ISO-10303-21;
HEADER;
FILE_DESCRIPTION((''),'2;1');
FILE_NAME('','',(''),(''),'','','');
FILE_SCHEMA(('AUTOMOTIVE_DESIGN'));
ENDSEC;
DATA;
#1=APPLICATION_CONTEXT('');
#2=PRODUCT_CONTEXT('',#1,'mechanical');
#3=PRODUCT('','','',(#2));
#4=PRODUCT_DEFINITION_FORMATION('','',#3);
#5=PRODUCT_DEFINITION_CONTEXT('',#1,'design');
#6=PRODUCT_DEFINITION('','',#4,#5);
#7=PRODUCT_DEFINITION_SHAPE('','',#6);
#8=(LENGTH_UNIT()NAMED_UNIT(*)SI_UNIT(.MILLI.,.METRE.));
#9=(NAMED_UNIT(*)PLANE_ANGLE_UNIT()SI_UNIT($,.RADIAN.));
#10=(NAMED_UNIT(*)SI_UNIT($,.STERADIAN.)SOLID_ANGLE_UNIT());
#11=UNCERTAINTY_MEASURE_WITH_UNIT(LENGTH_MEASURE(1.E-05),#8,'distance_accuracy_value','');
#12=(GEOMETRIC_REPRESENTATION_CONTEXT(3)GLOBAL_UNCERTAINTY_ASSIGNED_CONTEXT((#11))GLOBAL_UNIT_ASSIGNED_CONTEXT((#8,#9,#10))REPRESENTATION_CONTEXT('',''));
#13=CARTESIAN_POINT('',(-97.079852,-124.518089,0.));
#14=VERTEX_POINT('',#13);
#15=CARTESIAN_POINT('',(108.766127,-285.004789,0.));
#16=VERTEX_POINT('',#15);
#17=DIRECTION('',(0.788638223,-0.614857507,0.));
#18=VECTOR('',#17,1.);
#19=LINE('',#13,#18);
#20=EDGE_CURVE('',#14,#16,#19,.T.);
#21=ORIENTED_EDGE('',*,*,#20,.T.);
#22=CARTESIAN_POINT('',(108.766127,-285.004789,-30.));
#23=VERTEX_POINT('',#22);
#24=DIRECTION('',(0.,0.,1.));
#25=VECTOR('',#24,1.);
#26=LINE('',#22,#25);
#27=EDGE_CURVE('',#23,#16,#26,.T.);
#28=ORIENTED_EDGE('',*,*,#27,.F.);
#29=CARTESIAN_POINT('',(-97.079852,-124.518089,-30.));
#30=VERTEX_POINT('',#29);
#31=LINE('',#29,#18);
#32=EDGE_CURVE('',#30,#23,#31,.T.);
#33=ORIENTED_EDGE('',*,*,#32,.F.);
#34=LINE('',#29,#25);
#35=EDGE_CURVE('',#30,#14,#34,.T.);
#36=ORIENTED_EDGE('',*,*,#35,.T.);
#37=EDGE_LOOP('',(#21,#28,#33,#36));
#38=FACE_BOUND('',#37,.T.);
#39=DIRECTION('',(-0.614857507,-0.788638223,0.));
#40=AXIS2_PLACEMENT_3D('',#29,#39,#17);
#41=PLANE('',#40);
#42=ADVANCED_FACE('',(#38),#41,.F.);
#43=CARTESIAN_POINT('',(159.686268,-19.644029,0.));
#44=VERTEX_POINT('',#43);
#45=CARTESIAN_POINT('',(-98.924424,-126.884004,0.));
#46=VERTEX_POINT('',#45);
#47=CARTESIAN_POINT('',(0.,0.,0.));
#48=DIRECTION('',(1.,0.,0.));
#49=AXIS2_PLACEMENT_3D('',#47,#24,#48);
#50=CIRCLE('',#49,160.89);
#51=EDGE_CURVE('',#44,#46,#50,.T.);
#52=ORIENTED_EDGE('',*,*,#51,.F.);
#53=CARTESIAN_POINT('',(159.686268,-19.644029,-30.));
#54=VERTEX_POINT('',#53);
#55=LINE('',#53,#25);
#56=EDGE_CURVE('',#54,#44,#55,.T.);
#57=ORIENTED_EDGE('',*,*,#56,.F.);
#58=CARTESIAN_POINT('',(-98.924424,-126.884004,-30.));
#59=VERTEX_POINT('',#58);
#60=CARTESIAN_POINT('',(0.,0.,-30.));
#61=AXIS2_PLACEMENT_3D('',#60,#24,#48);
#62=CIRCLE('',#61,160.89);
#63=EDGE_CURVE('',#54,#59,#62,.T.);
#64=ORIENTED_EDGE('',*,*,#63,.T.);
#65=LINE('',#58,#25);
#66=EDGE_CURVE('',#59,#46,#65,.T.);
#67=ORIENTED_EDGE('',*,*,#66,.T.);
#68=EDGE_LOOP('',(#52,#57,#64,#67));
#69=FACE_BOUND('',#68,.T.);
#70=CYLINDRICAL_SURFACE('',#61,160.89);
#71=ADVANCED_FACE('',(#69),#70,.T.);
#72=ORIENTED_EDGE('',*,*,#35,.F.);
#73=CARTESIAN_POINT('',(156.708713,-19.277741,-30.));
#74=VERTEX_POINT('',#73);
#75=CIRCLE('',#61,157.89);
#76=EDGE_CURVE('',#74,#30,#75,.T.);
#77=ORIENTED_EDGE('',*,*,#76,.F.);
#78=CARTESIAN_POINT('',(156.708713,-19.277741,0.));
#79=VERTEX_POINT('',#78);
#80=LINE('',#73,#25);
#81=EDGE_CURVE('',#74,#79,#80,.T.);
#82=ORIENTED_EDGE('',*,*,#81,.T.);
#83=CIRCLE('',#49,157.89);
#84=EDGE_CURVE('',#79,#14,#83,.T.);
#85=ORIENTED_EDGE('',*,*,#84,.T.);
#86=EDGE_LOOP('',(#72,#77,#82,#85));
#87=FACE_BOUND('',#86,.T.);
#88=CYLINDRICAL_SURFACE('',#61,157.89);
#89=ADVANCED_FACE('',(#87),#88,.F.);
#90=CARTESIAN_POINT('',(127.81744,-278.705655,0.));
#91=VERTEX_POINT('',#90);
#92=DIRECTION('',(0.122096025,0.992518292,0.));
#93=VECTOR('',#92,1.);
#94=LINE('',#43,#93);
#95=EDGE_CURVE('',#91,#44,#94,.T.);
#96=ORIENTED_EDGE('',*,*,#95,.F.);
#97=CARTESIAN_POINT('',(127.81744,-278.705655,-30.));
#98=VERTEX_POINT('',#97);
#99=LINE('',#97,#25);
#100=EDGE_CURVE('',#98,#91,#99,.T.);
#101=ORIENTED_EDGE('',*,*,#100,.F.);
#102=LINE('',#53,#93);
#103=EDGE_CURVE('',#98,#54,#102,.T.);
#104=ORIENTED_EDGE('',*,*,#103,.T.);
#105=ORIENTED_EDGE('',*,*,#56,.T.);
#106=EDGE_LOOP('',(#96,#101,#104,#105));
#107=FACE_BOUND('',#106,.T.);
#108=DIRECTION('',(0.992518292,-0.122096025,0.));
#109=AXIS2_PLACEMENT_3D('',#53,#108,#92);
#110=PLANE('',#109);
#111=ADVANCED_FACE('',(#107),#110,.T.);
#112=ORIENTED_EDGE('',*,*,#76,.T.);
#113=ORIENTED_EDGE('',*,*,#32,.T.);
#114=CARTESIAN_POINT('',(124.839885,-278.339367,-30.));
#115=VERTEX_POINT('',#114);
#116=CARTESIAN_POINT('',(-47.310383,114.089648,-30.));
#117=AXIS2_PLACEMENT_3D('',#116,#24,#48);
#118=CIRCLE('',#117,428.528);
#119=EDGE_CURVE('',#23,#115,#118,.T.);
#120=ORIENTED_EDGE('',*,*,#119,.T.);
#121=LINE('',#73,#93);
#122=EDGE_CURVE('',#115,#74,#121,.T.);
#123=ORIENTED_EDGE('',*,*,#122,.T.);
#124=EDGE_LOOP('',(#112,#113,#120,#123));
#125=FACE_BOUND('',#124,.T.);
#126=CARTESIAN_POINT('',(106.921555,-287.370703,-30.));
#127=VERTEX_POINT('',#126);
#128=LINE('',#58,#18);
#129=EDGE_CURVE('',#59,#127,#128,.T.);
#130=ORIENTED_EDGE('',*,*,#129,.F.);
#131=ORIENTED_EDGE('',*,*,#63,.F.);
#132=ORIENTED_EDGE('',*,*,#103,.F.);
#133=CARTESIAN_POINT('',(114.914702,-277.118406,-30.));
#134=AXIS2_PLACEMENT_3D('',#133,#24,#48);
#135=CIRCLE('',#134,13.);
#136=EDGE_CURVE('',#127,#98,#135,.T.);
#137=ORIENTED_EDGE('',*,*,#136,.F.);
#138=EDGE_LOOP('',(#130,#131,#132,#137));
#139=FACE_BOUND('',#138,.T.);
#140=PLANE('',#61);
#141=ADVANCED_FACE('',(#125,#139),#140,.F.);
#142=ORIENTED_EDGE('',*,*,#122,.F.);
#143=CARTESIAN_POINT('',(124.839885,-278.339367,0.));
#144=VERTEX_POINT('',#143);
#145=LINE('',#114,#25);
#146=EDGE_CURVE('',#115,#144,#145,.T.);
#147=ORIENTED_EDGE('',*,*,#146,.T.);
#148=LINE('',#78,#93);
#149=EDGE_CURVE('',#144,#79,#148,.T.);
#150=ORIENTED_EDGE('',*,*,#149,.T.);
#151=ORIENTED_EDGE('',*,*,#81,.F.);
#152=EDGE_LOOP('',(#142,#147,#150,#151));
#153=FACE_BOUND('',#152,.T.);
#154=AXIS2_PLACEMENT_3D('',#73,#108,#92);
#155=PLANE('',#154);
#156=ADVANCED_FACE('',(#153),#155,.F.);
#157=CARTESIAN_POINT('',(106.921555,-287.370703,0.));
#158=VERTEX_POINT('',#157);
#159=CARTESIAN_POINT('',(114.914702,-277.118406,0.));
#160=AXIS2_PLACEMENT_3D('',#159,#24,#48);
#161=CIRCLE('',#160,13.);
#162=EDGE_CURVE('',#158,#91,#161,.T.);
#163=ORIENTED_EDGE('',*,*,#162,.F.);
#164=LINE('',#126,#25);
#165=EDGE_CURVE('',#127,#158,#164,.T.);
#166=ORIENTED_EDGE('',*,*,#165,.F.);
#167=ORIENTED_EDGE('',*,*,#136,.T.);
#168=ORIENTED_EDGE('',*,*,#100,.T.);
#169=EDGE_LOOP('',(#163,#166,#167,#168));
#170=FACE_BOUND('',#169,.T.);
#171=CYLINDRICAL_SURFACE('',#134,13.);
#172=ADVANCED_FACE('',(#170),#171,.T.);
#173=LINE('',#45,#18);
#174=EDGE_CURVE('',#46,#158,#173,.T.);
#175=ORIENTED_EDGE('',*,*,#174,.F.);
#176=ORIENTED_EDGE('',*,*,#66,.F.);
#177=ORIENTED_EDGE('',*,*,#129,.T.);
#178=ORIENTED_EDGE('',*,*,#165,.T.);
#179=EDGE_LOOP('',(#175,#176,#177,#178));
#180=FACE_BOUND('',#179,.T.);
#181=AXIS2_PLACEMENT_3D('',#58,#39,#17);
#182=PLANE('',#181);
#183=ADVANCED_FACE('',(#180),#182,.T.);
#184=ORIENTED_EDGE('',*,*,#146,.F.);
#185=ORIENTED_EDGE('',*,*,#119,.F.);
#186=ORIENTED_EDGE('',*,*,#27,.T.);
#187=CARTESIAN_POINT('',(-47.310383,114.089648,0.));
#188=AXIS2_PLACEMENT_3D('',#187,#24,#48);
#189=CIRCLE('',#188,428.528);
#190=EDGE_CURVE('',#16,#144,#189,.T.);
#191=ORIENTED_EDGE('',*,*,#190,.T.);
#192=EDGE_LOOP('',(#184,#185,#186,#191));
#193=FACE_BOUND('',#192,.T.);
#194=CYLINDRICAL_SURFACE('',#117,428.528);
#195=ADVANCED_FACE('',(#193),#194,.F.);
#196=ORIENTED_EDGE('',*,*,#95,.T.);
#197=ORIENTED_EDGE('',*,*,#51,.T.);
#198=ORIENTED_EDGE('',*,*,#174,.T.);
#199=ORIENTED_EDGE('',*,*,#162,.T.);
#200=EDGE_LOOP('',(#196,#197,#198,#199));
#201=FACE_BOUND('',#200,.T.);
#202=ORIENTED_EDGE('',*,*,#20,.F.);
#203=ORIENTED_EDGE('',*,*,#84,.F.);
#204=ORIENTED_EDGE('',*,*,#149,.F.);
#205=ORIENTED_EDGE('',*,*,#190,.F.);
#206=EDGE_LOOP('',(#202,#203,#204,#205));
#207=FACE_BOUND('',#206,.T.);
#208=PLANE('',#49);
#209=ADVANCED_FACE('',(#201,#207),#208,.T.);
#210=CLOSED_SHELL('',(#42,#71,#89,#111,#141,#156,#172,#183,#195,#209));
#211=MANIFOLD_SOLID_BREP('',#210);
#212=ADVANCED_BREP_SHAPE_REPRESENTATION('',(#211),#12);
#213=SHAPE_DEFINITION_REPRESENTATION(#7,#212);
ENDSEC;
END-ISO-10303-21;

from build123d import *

# Parameters (mm, degrees)
BOSS_EXTRUDE1_DEPTH = 30


with BuildPart() as part:
    # Sketch1 → Boss-Extrude1 (new body)
    with BuildSketch(Plane.XY):
        with BuildLine():
            Line((159.686268065, -19.644029408), (127.81744022, -278.705654725))
            ThreePointArc((127.81744022, -278.705654725), (119.894339524, -289.126870682), (106.921554827, -287.370703297))
            Line((106.921554827, -287.370703297), (-98.92442431, -126.884003621))
            ThreePointArc((-98.92442431, -126.884003621), (-61.628754907, 148.618601355), (159.686268065, -19.644029408))
        make_face()
        with BuildLine():
            Line((156.708713188, -19.277741334), (124.839885343, -278.339366651))
            ThreePointArc((124.839885343, -278.339366651), (116.836842152, -281.753673158), (108.766127348, -285.004788629))
            Line((108.766127348, -285.004788629), (-97.079851789, -124.518088953))
            ThreePointArc((-97.079851789, -124.518088953), (-60.479607883, 145.84741729), (156.708713188, -19.277741334))
        make_face(mode=Mode.SUBTRACT)
    extrude(amount=-BOSS_EXTRUDE1_DEPTH)


solid = part.part
